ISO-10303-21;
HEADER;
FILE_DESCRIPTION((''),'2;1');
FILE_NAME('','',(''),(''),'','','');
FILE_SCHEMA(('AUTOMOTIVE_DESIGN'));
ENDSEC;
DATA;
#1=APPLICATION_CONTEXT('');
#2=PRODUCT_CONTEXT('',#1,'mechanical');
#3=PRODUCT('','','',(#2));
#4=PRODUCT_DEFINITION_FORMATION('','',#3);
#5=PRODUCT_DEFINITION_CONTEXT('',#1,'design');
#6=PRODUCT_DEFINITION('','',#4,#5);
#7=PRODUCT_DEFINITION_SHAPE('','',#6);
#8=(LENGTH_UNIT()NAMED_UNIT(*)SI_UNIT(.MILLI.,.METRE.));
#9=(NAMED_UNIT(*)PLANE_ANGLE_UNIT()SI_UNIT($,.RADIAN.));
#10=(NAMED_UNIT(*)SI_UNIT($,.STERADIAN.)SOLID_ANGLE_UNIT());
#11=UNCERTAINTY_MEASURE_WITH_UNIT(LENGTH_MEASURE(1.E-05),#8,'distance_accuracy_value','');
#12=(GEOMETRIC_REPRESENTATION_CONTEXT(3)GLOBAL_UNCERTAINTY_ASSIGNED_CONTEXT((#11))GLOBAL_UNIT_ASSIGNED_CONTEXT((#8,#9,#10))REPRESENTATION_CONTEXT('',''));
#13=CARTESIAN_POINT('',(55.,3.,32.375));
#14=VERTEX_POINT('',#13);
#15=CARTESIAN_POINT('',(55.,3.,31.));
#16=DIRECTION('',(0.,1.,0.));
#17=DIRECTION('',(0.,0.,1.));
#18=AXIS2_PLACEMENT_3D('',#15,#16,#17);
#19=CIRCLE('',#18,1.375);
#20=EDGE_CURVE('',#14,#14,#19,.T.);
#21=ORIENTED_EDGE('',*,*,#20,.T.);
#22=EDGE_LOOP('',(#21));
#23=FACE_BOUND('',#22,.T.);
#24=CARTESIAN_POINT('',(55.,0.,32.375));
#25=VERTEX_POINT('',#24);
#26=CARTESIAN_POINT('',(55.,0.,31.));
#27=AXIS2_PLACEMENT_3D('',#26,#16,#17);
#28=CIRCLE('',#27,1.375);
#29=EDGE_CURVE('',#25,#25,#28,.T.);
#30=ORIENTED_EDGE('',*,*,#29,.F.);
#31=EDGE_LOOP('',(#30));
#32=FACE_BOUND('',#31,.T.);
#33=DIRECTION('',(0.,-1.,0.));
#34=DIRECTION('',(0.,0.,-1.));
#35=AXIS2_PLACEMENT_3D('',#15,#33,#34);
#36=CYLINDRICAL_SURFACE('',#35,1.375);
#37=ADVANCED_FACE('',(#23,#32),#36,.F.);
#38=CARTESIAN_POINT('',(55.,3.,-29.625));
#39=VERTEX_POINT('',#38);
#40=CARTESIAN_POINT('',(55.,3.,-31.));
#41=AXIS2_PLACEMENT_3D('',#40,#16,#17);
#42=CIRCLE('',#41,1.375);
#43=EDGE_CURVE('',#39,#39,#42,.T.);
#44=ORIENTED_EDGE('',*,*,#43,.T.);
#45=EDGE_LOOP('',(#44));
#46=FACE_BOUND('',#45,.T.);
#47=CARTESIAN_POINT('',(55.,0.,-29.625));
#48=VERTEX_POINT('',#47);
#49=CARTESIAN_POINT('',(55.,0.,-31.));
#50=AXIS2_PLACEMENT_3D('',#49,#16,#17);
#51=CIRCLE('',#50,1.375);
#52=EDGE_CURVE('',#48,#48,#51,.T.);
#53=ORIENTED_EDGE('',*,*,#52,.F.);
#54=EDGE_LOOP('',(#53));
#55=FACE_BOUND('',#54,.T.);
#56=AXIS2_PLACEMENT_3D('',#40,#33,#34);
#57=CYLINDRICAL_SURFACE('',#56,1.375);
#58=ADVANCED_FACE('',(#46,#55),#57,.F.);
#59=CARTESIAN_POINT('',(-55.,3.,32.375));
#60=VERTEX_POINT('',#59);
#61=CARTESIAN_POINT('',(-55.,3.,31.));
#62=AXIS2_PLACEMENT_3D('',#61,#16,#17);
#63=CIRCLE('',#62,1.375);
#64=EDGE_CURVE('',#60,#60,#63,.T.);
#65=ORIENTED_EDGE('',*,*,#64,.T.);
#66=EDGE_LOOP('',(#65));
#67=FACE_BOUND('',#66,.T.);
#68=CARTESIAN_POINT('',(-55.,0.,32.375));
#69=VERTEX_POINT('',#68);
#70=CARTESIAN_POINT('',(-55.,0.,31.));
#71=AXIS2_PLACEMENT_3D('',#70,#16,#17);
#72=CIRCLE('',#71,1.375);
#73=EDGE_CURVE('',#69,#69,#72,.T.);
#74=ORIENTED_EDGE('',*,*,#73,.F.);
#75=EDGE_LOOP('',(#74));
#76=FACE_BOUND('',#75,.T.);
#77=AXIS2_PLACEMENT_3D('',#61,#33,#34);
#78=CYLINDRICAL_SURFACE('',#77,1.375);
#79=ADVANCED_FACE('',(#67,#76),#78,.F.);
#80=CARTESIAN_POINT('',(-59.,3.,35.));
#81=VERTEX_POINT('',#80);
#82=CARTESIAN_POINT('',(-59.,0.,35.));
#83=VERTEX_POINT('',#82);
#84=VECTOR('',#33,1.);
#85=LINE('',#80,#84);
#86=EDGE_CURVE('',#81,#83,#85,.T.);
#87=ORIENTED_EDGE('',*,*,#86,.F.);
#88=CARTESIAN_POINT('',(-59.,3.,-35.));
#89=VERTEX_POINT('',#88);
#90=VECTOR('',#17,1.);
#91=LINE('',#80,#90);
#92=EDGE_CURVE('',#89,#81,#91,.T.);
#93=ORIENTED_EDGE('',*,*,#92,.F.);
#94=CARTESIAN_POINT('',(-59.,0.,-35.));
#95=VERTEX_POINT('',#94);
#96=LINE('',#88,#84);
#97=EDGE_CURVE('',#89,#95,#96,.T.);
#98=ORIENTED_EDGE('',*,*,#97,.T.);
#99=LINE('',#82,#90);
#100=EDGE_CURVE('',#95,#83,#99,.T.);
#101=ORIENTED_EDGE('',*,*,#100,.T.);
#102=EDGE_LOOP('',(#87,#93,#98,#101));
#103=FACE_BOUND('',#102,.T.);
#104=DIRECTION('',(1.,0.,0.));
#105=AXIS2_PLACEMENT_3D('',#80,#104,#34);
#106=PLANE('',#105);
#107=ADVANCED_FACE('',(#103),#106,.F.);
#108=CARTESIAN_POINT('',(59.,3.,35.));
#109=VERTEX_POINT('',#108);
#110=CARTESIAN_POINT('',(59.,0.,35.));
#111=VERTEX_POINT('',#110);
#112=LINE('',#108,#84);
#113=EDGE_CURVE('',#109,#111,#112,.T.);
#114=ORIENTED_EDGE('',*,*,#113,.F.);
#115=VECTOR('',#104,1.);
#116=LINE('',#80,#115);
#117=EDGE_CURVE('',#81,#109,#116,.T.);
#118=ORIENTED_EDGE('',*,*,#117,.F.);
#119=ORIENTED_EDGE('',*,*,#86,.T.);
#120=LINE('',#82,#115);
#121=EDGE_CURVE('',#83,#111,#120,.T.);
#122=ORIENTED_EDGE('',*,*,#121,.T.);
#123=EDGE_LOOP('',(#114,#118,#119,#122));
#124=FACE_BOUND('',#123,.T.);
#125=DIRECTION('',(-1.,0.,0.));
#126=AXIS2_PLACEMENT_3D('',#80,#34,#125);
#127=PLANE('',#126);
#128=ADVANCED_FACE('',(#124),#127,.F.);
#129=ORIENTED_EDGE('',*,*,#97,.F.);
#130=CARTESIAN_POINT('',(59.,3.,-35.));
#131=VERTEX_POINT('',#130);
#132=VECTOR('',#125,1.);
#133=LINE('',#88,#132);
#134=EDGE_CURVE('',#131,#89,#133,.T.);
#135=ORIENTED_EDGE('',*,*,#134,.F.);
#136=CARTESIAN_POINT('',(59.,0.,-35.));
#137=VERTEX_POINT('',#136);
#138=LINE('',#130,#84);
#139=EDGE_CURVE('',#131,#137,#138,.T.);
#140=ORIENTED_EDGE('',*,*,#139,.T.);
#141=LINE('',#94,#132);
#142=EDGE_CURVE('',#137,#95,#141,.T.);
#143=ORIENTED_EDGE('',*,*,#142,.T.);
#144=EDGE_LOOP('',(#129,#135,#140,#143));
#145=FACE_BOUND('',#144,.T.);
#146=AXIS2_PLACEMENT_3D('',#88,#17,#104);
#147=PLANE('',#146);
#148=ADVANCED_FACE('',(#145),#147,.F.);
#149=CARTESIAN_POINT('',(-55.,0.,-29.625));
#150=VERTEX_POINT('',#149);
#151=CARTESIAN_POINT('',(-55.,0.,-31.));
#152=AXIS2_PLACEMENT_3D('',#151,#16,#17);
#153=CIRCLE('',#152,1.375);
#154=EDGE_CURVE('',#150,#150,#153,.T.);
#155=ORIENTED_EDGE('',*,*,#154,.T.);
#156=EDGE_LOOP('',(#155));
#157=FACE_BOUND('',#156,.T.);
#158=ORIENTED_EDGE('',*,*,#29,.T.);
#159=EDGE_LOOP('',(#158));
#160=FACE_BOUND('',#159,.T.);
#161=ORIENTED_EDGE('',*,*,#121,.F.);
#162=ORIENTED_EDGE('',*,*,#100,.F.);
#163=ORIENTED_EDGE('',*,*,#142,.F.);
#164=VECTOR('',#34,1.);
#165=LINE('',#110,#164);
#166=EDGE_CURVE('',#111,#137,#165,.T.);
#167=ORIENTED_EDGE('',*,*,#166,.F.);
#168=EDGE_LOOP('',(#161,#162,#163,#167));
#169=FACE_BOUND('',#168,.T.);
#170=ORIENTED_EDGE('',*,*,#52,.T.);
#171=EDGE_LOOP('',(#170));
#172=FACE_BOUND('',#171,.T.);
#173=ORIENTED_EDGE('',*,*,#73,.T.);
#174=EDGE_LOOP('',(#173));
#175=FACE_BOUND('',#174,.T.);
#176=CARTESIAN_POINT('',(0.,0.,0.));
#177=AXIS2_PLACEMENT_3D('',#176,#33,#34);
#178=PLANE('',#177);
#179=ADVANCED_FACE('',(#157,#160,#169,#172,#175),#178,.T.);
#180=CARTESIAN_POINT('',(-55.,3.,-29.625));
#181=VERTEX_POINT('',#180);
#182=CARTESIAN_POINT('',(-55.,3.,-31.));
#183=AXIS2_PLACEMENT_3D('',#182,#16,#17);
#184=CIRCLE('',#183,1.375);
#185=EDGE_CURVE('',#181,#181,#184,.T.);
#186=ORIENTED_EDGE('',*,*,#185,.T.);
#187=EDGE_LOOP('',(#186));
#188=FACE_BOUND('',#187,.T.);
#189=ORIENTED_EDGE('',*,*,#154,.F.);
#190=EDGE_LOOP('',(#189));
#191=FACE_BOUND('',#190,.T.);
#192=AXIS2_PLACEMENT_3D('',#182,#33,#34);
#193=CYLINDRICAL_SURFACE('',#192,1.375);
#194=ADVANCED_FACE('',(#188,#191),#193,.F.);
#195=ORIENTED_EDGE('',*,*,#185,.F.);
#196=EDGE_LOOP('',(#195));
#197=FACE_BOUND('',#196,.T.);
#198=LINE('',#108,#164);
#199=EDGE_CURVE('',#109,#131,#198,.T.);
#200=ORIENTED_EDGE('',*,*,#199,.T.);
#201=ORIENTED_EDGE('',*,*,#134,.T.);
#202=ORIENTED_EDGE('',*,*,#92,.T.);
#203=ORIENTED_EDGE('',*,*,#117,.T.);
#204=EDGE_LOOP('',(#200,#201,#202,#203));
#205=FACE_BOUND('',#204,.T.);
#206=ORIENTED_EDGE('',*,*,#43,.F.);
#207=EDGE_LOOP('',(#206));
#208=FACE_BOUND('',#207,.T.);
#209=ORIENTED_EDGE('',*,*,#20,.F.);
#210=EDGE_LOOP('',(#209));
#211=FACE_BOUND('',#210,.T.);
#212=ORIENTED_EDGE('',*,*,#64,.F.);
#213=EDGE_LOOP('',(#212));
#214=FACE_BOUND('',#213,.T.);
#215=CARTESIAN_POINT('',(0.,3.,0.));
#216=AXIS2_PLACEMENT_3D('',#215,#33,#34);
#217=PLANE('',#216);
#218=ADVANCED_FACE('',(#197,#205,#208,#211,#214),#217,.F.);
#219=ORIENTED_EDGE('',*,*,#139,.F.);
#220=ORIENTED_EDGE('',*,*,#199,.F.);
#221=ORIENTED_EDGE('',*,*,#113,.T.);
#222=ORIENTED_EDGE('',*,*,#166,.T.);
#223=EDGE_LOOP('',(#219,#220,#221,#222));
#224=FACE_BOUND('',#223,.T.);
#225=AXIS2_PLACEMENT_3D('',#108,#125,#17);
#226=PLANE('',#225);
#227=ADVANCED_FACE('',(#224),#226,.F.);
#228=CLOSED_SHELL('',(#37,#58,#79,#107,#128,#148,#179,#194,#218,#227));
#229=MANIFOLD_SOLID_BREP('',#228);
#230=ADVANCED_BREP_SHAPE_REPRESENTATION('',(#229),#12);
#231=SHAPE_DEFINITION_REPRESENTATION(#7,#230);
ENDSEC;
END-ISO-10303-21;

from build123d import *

# Parameters (mm, degrees)
SKETCH1_W           = 118
SKETCH1_H           = 70
SKETCH1_R           = 1.375
BOSS_EXTRUDE1_DEPTH = 3


with BuildPart() as part:
    # Sketch1 → Boss-Extrude1 (new body)
    with BuildSketch(Plane(origin=(0, 0, 0), x_dir=(1, 0, 0), z_dir=(0, 1, 0))):
        Rectangle(SKETCH1_W, SKETCH1_H)
        with Locations((-55, 31)):
            Circle(SKETCH1_R, mode=Mode.SUBTRACT)
        with Locations((55, 31)):
            Circle(SKETCH1_R, mode=Mode.SUBTRACT)
        with Locations((55, -31)):
            Circle(SKETCH1_R, mode=Mode.SUBTRACT)
        with Locations((-55, -31)):
            Circle(SKETCH1_R, mode=Mode.SUBTRACT)
    extrude(amount=BOSS_EXTRUDE1_DEPTH)


solid = part.part
